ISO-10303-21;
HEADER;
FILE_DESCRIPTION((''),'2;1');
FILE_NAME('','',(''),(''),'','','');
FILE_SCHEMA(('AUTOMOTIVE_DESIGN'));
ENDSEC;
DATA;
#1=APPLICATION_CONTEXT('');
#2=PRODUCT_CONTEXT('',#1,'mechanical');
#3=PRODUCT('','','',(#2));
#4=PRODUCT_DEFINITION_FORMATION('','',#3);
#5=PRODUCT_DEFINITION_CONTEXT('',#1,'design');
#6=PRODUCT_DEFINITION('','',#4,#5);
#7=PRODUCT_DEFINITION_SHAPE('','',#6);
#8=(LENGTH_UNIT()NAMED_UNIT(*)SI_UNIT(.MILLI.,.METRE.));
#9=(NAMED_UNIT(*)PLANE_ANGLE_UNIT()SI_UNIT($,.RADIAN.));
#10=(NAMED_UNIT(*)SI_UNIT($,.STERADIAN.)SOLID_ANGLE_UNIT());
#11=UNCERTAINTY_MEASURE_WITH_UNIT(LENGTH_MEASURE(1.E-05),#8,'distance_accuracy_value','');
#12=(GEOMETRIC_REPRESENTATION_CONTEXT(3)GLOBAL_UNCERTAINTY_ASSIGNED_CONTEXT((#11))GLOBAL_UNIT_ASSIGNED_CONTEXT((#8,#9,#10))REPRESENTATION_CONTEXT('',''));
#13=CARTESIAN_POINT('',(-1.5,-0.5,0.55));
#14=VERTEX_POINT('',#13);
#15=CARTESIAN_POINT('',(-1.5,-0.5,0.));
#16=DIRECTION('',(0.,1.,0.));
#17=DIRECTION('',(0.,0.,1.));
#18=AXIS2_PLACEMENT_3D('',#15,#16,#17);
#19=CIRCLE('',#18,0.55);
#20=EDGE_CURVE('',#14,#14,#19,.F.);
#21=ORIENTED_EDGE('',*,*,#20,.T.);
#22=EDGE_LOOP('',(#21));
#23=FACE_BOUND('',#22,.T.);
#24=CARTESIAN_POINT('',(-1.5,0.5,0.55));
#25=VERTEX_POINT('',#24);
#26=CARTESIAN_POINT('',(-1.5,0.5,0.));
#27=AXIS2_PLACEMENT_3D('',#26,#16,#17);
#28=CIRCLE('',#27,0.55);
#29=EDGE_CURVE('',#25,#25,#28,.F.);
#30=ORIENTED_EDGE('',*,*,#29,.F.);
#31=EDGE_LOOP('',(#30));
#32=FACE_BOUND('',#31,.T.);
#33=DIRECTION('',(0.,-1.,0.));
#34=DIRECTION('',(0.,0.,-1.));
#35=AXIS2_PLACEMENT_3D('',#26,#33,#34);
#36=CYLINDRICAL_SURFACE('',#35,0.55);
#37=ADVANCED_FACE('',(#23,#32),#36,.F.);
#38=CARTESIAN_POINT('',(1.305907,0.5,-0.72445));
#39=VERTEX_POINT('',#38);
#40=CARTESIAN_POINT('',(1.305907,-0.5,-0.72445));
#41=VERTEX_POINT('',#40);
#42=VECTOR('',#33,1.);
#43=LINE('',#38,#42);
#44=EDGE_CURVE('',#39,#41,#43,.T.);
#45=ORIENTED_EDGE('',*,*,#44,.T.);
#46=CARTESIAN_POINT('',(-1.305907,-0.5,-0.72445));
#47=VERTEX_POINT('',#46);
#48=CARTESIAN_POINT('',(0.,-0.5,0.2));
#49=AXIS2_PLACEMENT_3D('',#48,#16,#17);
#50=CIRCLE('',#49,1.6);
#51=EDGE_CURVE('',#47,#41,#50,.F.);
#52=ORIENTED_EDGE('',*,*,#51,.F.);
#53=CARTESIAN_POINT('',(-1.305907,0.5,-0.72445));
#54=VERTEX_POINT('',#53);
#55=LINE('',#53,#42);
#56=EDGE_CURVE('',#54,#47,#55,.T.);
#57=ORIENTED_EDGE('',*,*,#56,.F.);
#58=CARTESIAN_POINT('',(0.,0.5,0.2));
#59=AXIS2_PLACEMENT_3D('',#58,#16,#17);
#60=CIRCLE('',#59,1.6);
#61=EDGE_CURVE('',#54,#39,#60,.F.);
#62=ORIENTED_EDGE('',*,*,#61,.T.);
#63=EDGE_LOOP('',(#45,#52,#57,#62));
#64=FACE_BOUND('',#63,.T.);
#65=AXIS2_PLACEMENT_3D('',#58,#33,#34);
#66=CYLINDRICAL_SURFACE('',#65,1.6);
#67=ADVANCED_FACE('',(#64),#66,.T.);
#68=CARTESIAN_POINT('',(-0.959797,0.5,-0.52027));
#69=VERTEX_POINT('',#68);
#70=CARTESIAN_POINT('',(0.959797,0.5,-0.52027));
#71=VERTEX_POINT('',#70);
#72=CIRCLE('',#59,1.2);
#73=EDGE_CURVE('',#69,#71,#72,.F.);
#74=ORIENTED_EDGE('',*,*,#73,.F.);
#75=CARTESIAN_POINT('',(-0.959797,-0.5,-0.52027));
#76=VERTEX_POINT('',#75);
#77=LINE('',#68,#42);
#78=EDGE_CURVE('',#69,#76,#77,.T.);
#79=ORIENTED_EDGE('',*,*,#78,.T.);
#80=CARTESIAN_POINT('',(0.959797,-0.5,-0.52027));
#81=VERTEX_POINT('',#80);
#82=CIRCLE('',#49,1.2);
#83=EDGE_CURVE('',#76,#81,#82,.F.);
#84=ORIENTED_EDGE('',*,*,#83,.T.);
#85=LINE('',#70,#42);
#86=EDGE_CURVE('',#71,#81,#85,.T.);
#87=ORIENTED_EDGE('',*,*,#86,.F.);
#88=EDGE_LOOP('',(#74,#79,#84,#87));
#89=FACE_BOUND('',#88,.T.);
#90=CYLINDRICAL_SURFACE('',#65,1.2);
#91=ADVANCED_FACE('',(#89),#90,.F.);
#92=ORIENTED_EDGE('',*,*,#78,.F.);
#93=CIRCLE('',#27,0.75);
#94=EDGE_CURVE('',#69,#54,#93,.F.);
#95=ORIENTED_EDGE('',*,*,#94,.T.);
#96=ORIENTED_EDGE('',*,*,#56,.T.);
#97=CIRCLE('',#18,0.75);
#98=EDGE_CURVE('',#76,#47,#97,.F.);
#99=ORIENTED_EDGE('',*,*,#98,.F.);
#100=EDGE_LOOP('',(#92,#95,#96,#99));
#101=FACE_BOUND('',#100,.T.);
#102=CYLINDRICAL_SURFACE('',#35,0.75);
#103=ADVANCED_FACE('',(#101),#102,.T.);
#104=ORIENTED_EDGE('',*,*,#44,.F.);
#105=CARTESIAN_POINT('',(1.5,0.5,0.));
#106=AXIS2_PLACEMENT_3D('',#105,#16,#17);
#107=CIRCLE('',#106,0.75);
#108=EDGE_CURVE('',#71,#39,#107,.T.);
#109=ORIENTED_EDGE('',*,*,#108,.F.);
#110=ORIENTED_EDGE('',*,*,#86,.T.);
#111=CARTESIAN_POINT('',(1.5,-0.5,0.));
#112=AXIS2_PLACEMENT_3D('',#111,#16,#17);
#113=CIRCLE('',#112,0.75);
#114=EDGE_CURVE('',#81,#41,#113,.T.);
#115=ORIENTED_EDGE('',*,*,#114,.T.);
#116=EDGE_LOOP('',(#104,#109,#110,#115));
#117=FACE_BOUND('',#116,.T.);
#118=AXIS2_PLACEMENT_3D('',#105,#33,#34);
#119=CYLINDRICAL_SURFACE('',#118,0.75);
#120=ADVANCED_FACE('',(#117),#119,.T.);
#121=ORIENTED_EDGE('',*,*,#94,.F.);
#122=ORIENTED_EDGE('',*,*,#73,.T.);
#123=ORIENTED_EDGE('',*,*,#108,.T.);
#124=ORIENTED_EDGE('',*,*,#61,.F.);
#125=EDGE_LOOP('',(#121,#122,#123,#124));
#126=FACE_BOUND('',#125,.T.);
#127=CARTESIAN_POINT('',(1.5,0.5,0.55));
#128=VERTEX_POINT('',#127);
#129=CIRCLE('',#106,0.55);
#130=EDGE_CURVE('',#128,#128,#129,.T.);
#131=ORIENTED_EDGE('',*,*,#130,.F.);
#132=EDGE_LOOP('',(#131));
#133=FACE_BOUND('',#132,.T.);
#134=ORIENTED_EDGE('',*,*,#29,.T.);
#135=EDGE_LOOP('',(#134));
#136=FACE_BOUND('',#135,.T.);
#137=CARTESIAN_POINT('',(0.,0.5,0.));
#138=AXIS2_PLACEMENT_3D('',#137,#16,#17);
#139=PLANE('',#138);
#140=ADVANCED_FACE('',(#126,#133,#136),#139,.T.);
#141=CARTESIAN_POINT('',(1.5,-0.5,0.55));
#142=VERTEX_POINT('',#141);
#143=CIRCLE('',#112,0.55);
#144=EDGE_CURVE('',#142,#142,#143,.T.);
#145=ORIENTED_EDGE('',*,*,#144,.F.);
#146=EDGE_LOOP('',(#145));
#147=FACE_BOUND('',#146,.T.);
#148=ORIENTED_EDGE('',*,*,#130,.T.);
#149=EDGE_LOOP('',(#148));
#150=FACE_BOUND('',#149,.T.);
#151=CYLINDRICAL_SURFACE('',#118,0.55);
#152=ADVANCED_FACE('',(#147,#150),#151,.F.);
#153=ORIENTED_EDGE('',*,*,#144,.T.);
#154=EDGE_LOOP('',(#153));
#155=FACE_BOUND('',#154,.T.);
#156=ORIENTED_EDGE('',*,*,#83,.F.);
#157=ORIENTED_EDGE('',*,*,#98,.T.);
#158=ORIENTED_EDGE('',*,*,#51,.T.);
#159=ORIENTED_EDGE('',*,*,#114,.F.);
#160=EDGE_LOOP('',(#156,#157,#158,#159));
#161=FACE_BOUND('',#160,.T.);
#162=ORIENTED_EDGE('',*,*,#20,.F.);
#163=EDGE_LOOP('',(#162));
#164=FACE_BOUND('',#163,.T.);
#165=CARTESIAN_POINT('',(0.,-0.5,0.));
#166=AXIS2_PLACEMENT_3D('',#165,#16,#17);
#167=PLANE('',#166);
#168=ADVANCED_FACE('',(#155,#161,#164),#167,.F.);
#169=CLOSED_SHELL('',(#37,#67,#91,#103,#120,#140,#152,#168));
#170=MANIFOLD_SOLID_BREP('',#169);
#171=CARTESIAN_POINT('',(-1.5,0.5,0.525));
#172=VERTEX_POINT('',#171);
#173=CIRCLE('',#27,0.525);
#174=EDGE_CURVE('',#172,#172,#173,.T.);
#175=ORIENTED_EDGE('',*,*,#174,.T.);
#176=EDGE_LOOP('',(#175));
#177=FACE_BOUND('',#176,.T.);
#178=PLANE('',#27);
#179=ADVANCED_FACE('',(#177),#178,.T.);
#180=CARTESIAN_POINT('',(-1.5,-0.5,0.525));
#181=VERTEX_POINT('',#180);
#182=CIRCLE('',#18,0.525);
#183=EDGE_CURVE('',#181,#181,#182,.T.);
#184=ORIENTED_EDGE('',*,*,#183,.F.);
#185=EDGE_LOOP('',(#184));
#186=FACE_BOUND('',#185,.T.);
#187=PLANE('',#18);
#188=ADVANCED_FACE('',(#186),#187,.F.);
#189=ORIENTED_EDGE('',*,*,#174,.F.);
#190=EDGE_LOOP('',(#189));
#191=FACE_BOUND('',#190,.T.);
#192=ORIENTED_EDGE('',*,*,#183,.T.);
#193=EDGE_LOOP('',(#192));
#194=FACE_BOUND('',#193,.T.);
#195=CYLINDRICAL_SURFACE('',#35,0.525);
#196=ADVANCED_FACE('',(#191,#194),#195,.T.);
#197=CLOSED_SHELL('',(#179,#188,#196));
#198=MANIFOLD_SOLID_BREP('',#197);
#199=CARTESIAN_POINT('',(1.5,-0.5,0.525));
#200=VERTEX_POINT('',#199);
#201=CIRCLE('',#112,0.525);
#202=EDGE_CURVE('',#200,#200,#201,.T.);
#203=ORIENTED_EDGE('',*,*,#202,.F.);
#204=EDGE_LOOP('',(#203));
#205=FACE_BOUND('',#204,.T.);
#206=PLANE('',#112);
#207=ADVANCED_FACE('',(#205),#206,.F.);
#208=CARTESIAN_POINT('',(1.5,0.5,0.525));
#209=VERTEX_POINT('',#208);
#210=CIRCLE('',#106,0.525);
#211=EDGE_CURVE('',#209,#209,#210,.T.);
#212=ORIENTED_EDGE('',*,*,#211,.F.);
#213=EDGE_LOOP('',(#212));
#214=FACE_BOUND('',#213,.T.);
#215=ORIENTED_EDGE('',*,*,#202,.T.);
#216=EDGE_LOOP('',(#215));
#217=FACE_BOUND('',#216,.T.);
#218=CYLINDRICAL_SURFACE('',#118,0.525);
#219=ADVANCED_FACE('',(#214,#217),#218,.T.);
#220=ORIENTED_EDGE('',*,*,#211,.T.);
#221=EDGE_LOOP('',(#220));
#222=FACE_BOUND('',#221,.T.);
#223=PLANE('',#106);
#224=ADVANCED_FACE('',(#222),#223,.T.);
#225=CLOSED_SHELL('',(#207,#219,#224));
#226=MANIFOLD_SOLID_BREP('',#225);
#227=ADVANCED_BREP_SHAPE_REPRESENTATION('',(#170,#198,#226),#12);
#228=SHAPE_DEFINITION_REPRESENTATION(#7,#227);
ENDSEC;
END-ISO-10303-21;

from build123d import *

# Parameters (mm, degrees)
SKETCH_1_R        = 0.75
SKETCH_1_R_2      = 0.55
EXTRUDE_1_DEPTH   = 0.5
SKETCH_2_R        = 0.525
EXTRUDE_3_DEPTH   = 0.5
EXTRUDE_3_2_DEPTH = 0.5


with BuildPart() as part:
    # 草图1 → 凸台-拉伸1 (new, symmetric)
    # profile 1 of 3: a face of its own
    with BuildSketch(Plane(origin=(0, 0, 0), x_dir=(1, 0, 0), z_dir=(0, 1, 0))):
        with Locations((1.5, 0)):
            Circle(SKETCH_1_R)
        with Locations(Location((1.5, 0, 0), (0, 0, 270))):
            Circle(SKETCH_1_R_2, mode=Mode.SUBTRACT)
    # profile 2 of 3: a face of its own
    with BuildSketch(Plane(origin=(0, 0, 0), x_dir=(1, 0, 0), z_dir=(0, 1, 0))):
        with Locations((-1.5, 0)):
            Circle(SKETCH_1_R)
        with Locations(Location((-1.5, 0, 0), (0, 0, 270))):
            Circle(SKETCH_1_R_2, mode=Mode.SUBTRACT)
    # profile 3 of 3: a face of its own
    with BuildSketch(Plane(origin=(0, 0, 0), x_dir=(1, 0, 0), z_dir=(0, 1, 0))):
        with BuildLine():
            ThreePointArc((-1.305906669, 0.724449984), (-1.118922567, 0.645972128), (-0.95979731, 0.520270174))
            ThreePointArc((-0.95979731, 0.520270174), (0, 1), (0.95979731, 0.520270174))
            ThreePointArc((0.95979731, 0.520270174), (1.118922567, 0.645972128), (1.305906669, 0.724449984))
            ThreePointArc((1.305906669, 0.724449984), (0, 1.4), (-1.305906669, 0.724449984))
        make_face()
    extrude(amount=EXTRUDE_1_DEPTH, both=True)


with BuildPart() as body_2:
    # 草图2 → 凸台-拉伸3 (new, symmetric)
    with BuildSketch(Plane(origin=(0, 0, 0), x_dir=(1, 0, 0), z_dir=(0, 1, 0))):
        with Locations(Location((-1.5, 0, 0), (0, 0, 270))):
            Circle(SKETCH_2_R)
    extrude(amount=EXTRUDE_3_DEPTH, both=True)


with BuildPart() as body_3:
    # 草图2 → Extrude 3 2 (new, symmetric)
    with BuildSketch(Plane(origin=(0, 0, 0), x_dir=(1, 0, 0), z_dir=(0, 1, 0))):
        with Locations(Location((1.5, 0, 0), (0, 0, 270))):
            Circle(SKETCH_2_R)
    extrude(amount=EXTRUDE_3_2_DEPTH, both=True)


solid = Compound([part.part, body_2.part, body_3.part])
